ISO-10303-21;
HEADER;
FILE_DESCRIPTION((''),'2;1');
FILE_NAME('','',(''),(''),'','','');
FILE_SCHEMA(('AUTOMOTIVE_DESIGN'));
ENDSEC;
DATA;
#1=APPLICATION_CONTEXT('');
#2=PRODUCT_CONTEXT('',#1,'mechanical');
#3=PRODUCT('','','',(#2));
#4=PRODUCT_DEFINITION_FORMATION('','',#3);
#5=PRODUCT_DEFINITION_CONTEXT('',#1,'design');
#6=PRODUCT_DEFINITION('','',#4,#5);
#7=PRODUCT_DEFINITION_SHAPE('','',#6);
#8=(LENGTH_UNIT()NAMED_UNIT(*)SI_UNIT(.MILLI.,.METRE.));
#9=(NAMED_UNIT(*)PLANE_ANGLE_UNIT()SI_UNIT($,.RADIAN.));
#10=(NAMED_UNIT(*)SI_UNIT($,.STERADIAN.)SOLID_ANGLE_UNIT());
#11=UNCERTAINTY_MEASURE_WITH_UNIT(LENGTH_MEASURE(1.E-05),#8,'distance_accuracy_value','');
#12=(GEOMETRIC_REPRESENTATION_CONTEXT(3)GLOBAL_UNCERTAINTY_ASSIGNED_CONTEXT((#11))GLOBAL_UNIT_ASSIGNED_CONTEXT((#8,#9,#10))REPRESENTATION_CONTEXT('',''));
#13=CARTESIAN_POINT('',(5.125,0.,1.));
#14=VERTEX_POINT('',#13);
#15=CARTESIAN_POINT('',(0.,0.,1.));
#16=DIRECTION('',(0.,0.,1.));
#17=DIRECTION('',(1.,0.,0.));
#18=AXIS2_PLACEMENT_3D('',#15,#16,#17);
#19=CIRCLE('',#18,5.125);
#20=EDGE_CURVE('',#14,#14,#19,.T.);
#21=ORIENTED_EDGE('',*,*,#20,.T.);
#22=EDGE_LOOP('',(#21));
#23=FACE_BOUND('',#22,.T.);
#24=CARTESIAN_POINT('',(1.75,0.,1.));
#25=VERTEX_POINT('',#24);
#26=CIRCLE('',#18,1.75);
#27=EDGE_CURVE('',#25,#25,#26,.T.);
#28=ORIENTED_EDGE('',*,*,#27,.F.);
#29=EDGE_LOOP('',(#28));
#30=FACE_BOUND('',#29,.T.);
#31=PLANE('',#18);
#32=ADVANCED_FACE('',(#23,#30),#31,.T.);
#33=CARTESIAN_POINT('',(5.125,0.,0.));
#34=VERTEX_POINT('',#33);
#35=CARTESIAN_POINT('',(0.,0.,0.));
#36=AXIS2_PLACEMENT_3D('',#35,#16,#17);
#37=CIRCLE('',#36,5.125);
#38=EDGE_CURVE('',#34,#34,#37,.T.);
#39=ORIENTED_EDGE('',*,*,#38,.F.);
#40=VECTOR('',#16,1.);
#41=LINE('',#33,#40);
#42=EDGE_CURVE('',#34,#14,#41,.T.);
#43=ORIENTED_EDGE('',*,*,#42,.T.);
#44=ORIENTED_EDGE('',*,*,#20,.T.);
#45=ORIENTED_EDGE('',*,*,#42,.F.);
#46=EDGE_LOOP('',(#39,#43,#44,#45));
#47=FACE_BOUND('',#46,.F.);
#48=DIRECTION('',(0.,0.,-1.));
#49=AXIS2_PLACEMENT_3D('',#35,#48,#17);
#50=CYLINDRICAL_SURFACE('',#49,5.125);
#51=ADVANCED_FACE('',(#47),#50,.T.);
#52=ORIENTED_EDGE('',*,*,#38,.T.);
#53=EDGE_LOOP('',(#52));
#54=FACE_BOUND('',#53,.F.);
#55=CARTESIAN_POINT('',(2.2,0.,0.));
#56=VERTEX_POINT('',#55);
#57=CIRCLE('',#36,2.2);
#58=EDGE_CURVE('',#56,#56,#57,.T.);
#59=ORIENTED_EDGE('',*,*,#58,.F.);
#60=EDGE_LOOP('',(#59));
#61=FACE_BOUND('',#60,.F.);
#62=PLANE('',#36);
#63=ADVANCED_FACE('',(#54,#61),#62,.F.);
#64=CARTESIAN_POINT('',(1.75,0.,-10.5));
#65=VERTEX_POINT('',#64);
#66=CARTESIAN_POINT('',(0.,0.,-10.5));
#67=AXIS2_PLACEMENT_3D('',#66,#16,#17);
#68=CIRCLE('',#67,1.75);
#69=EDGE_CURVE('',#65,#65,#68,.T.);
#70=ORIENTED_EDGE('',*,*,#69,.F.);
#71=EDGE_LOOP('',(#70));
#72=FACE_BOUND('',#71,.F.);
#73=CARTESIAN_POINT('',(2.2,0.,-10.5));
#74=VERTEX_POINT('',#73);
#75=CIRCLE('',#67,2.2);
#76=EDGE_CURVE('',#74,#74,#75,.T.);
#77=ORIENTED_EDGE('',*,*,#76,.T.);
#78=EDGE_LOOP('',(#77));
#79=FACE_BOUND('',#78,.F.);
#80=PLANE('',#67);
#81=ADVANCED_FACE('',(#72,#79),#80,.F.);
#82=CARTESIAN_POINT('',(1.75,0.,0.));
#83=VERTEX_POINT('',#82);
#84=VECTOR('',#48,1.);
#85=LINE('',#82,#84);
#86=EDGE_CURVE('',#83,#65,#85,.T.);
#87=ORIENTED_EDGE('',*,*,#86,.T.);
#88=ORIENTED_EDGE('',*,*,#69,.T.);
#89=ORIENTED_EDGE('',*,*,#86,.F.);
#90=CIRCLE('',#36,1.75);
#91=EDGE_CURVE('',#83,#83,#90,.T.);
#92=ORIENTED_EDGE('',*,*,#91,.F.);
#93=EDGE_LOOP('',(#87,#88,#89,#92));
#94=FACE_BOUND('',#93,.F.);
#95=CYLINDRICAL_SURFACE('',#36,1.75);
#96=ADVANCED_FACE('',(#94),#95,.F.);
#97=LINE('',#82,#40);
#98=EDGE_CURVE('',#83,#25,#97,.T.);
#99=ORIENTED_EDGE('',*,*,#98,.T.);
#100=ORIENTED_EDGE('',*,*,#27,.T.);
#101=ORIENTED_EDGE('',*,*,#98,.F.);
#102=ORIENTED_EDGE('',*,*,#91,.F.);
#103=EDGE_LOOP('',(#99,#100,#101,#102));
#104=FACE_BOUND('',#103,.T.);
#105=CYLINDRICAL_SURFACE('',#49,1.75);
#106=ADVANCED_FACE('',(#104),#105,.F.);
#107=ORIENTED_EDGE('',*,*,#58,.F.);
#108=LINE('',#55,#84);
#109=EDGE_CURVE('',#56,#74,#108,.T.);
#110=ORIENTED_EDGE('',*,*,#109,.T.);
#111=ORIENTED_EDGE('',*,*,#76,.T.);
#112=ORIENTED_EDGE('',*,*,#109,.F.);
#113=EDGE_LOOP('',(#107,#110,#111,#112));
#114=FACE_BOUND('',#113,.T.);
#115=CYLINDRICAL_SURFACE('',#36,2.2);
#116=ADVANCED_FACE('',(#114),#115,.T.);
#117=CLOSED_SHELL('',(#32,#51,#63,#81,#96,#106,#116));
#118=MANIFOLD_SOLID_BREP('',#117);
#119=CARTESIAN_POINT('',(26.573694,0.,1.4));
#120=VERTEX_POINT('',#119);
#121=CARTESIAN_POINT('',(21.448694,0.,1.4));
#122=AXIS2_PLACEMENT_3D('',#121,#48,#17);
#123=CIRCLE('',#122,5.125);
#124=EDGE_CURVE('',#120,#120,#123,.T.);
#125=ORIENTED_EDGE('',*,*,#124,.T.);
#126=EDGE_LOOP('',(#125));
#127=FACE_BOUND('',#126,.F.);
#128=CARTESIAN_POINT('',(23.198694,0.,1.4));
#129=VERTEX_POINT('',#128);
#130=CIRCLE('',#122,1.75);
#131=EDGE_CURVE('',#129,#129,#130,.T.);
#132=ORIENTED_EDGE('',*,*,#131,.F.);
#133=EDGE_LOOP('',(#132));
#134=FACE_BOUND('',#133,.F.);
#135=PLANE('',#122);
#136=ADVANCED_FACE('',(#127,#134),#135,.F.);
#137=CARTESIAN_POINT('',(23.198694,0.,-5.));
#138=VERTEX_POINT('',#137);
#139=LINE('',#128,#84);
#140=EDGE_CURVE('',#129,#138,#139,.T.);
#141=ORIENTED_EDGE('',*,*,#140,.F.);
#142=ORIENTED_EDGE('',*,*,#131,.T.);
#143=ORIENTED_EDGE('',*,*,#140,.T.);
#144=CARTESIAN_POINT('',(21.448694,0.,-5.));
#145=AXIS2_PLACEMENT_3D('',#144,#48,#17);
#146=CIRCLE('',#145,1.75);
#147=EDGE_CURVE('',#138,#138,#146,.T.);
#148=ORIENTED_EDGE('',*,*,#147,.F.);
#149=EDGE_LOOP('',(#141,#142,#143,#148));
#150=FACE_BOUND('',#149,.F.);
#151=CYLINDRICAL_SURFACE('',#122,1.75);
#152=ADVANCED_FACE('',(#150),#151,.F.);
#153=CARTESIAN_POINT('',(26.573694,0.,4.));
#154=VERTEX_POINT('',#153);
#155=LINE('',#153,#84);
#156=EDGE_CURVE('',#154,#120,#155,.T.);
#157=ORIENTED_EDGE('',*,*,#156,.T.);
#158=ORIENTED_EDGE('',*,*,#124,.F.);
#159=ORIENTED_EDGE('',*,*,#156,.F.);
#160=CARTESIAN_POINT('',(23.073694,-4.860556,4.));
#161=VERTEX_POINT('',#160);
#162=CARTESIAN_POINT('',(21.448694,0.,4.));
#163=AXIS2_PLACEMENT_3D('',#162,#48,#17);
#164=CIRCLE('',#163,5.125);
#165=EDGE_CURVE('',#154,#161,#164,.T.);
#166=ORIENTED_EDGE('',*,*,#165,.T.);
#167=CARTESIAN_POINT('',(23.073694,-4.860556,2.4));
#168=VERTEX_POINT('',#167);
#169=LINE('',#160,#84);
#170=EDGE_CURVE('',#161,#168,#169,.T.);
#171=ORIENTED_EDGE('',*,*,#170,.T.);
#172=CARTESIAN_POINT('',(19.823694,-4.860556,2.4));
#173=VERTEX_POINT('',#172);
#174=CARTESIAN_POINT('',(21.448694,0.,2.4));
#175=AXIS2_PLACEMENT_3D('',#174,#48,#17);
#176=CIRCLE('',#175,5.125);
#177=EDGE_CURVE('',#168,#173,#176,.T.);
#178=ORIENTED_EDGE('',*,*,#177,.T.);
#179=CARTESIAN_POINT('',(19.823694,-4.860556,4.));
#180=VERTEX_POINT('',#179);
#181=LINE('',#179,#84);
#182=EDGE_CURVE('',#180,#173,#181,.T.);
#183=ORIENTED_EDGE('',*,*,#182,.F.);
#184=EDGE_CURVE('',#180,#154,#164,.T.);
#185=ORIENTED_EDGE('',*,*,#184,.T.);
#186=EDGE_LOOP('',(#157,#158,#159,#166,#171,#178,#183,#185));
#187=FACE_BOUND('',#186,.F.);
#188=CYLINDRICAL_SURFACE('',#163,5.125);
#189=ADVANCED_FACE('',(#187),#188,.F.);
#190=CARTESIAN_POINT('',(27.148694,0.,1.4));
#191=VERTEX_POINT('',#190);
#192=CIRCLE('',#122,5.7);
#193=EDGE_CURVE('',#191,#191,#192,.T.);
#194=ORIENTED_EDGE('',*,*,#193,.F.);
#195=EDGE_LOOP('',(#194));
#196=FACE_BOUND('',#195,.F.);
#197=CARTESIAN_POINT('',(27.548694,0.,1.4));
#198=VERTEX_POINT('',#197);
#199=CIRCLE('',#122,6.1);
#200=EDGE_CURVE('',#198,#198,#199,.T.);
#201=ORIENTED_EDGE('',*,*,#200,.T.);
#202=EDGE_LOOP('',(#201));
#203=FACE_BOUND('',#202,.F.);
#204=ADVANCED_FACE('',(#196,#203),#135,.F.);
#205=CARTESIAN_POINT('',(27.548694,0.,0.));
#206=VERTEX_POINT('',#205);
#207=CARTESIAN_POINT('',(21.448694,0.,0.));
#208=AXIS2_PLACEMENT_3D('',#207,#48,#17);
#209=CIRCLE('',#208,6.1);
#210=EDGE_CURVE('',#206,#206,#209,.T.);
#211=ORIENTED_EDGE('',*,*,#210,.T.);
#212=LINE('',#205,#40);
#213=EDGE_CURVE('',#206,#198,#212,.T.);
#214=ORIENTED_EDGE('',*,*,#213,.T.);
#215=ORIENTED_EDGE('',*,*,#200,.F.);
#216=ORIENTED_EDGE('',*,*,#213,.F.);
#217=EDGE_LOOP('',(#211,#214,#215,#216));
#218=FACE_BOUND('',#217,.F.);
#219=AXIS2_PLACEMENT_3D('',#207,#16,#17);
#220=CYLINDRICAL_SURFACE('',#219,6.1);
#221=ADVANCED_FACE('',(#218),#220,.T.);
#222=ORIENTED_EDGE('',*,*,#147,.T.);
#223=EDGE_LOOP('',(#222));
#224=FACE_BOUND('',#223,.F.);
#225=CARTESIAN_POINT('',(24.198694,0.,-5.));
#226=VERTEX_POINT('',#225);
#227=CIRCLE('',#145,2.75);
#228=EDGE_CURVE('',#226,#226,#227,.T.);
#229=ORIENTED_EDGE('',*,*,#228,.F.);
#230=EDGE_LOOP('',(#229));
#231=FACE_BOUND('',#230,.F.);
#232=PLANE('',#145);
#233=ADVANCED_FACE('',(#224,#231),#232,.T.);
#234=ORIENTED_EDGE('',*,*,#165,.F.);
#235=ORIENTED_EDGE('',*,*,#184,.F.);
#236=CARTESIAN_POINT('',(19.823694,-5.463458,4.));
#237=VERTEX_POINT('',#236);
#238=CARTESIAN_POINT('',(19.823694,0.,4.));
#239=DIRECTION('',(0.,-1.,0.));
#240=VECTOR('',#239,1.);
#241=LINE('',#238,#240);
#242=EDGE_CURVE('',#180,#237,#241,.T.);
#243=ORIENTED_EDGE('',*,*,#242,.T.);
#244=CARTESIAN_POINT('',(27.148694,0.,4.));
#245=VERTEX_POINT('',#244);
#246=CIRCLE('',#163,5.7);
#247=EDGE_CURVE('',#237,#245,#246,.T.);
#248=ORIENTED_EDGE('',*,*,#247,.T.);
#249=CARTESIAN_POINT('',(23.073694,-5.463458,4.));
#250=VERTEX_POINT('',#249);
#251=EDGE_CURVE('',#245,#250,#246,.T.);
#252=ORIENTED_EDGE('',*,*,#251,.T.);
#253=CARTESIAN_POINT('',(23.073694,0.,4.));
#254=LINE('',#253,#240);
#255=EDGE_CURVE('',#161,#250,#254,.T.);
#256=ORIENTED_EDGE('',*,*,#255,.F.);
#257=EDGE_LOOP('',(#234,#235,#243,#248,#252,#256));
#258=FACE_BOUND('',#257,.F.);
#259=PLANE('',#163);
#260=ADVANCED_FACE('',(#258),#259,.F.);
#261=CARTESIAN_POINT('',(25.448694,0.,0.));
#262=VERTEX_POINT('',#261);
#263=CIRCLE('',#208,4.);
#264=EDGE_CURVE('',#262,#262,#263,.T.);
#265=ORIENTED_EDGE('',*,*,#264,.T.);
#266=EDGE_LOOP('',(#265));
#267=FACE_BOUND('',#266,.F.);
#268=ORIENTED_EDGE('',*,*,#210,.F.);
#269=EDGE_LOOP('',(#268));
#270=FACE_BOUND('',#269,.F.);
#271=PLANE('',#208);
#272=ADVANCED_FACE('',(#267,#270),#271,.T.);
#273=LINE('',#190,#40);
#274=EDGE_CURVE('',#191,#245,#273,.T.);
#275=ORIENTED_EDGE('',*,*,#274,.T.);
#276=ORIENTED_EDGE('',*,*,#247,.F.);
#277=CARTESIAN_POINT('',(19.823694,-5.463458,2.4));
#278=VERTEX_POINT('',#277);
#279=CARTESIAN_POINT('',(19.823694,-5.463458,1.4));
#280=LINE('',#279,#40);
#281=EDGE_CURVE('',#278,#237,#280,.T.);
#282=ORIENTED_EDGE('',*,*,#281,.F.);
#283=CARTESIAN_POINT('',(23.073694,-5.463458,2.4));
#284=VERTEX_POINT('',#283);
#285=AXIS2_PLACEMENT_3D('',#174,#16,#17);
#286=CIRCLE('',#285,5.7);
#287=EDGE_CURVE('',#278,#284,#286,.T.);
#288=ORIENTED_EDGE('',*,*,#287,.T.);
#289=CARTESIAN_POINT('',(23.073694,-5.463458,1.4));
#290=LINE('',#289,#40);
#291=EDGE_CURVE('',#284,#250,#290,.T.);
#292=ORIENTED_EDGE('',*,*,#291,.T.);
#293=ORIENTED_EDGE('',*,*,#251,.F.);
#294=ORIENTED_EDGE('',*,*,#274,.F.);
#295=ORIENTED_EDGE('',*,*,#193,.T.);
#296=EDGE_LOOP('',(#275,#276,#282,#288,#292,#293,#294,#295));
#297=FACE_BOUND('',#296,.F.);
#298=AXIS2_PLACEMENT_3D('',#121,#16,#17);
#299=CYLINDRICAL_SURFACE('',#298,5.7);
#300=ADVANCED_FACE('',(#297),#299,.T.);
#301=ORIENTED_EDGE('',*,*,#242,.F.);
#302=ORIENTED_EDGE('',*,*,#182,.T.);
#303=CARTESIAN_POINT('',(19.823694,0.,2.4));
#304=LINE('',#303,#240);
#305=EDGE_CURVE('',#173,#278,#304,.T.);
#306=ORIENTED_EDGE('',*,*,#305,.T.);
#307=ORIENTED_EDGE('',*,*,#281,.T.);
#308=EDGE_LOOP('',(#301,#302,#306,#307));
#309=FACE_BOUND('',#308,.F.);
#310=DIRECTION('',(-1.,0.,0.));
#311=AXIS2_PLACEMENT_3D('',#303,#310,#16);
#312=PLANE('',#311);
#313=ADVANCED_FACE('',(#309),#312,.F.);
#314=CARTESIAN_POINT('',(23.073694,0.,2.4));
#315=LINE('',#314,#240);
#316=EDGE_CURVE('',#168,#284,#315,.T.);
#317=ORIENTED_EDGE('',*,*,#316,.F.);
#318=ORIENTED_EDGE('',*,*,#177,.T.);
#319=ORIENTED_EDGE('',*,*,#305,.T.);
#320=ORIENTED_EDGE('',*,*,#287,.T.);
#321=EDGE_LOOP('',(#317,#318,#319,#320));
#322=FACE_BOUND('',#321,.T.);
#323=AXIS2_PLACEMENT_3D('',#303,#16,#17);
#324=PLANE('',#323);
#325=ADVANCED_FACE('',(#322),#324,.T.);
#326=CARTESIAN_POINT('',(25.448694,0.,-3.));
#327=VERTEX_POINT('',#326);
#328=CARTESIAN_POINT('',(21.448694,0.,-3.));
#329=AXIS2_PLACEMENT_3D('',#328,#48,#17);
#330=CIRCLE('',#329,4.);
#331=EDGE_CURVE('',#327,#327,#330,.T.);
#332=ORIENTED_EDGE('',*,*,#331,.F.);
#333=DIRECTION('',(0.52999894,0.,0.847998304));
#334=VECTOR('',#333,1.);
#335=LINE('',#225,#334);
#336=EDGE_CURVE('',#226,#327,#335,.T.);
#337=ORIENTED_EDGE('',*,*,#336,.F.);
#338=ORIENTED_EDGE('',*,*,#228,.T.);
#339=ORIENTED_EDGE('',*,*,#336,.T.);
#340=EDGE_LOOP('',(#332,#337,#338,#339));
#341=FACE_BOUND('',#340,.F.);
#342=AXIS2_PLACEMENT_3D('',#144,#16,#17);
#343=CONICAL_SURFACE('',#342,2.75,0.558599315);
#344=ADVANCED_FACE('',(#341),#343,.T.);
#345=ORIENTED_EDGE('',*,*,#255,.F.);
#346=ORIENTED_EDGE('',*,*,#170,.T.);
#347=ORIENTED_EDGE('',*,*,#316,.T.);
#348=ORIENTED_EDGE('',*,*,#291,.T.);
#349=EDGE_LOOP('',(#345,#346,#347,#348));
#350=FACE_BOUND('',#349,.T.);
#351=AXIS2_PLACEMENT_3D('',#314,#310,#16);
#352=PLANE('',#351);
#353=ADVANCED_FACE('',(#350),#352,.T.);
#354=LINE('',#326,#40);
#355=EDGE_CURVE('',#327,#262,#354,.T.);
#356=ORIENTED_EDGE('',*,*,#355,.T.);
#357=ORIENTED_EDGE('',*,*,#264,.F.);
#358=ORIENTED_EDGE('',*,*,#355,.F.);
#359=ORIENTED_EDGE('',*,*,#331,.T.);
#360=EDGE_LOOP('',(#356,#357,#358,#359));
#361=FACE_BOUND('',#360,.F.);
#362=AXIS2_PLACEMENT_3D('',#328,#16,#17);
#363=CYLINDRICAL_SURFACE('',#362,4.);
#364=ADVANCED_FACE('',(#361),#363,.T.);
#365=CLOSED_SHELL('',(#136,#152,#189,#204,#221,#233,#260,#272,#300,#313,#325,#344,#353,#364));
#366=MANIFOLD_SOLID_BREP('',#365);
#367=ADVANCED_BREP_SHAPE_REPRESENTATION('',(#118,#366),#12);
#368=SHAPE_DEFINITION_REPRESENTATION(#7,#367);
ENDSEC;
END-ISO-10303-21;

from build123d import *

# Parameters (mm, degrees)
F0_R     = 5.125
F0_R_2   = 2.2
F0_R_3   = 1.75
F1_DEPTH = 1
F2_DEPTH = 10.5
F5_W     = 3.25
F5_H     = 1.6
F6_DEPTH = 6.101


with BuildPart() as f1:
    # F0 (on Top) → F1 (new body)
    with BuildSketch(Plane.XY):
        Circle(F0_R)
        Circle(F0_R_2, mode=Mode.SUBTRACT)
        Circle(F0_R_2)
        Circle(F0_R_3, mode=Mode.SUBTRACT)
    extrude(amount=F1_DEPTH)

    # F0 (on Top) → F2 (join)
    with BuildSketch(Plane.XY):
        Circle(F0_R_2)
        Circle(F0_R_3, mode=Mode.SUBTRACT)
    extrude(amount=-F2_DEPTH)


with BuildPart() as f4:
    # F3 (on Front) → F4 (revolve)
    with BuildSketch(Plane.XZ):
        Polygon((25.4486941695, -3), (25.4486941695, 0), (27.5486941695, 0), (27.5486941695, 1.4), (27.1486941695, 1.4), (27.1486941695, 4), (26.5736941695, 4), (26.5736941695, 1.4), (23.1986941695, 1.4), (23.1986941695, -5), (24.1986941695, -5), align=None)
    revolve(axis=Axis((21.4486941695, 0, -0.6741590851), (0, 0, -1)))

    # F5 (on Front) → F6 (cut, through all)
    with BuildSketch(Plane.XZ):
        with Locations((21.4486941695, 3.2)):
            Rectangle(F5_W, F5_H)
    extrude(amount=F6_DEPTH, mode=Mode.SUBTRACT)


solid = Compound([f1.part, f4.part])
